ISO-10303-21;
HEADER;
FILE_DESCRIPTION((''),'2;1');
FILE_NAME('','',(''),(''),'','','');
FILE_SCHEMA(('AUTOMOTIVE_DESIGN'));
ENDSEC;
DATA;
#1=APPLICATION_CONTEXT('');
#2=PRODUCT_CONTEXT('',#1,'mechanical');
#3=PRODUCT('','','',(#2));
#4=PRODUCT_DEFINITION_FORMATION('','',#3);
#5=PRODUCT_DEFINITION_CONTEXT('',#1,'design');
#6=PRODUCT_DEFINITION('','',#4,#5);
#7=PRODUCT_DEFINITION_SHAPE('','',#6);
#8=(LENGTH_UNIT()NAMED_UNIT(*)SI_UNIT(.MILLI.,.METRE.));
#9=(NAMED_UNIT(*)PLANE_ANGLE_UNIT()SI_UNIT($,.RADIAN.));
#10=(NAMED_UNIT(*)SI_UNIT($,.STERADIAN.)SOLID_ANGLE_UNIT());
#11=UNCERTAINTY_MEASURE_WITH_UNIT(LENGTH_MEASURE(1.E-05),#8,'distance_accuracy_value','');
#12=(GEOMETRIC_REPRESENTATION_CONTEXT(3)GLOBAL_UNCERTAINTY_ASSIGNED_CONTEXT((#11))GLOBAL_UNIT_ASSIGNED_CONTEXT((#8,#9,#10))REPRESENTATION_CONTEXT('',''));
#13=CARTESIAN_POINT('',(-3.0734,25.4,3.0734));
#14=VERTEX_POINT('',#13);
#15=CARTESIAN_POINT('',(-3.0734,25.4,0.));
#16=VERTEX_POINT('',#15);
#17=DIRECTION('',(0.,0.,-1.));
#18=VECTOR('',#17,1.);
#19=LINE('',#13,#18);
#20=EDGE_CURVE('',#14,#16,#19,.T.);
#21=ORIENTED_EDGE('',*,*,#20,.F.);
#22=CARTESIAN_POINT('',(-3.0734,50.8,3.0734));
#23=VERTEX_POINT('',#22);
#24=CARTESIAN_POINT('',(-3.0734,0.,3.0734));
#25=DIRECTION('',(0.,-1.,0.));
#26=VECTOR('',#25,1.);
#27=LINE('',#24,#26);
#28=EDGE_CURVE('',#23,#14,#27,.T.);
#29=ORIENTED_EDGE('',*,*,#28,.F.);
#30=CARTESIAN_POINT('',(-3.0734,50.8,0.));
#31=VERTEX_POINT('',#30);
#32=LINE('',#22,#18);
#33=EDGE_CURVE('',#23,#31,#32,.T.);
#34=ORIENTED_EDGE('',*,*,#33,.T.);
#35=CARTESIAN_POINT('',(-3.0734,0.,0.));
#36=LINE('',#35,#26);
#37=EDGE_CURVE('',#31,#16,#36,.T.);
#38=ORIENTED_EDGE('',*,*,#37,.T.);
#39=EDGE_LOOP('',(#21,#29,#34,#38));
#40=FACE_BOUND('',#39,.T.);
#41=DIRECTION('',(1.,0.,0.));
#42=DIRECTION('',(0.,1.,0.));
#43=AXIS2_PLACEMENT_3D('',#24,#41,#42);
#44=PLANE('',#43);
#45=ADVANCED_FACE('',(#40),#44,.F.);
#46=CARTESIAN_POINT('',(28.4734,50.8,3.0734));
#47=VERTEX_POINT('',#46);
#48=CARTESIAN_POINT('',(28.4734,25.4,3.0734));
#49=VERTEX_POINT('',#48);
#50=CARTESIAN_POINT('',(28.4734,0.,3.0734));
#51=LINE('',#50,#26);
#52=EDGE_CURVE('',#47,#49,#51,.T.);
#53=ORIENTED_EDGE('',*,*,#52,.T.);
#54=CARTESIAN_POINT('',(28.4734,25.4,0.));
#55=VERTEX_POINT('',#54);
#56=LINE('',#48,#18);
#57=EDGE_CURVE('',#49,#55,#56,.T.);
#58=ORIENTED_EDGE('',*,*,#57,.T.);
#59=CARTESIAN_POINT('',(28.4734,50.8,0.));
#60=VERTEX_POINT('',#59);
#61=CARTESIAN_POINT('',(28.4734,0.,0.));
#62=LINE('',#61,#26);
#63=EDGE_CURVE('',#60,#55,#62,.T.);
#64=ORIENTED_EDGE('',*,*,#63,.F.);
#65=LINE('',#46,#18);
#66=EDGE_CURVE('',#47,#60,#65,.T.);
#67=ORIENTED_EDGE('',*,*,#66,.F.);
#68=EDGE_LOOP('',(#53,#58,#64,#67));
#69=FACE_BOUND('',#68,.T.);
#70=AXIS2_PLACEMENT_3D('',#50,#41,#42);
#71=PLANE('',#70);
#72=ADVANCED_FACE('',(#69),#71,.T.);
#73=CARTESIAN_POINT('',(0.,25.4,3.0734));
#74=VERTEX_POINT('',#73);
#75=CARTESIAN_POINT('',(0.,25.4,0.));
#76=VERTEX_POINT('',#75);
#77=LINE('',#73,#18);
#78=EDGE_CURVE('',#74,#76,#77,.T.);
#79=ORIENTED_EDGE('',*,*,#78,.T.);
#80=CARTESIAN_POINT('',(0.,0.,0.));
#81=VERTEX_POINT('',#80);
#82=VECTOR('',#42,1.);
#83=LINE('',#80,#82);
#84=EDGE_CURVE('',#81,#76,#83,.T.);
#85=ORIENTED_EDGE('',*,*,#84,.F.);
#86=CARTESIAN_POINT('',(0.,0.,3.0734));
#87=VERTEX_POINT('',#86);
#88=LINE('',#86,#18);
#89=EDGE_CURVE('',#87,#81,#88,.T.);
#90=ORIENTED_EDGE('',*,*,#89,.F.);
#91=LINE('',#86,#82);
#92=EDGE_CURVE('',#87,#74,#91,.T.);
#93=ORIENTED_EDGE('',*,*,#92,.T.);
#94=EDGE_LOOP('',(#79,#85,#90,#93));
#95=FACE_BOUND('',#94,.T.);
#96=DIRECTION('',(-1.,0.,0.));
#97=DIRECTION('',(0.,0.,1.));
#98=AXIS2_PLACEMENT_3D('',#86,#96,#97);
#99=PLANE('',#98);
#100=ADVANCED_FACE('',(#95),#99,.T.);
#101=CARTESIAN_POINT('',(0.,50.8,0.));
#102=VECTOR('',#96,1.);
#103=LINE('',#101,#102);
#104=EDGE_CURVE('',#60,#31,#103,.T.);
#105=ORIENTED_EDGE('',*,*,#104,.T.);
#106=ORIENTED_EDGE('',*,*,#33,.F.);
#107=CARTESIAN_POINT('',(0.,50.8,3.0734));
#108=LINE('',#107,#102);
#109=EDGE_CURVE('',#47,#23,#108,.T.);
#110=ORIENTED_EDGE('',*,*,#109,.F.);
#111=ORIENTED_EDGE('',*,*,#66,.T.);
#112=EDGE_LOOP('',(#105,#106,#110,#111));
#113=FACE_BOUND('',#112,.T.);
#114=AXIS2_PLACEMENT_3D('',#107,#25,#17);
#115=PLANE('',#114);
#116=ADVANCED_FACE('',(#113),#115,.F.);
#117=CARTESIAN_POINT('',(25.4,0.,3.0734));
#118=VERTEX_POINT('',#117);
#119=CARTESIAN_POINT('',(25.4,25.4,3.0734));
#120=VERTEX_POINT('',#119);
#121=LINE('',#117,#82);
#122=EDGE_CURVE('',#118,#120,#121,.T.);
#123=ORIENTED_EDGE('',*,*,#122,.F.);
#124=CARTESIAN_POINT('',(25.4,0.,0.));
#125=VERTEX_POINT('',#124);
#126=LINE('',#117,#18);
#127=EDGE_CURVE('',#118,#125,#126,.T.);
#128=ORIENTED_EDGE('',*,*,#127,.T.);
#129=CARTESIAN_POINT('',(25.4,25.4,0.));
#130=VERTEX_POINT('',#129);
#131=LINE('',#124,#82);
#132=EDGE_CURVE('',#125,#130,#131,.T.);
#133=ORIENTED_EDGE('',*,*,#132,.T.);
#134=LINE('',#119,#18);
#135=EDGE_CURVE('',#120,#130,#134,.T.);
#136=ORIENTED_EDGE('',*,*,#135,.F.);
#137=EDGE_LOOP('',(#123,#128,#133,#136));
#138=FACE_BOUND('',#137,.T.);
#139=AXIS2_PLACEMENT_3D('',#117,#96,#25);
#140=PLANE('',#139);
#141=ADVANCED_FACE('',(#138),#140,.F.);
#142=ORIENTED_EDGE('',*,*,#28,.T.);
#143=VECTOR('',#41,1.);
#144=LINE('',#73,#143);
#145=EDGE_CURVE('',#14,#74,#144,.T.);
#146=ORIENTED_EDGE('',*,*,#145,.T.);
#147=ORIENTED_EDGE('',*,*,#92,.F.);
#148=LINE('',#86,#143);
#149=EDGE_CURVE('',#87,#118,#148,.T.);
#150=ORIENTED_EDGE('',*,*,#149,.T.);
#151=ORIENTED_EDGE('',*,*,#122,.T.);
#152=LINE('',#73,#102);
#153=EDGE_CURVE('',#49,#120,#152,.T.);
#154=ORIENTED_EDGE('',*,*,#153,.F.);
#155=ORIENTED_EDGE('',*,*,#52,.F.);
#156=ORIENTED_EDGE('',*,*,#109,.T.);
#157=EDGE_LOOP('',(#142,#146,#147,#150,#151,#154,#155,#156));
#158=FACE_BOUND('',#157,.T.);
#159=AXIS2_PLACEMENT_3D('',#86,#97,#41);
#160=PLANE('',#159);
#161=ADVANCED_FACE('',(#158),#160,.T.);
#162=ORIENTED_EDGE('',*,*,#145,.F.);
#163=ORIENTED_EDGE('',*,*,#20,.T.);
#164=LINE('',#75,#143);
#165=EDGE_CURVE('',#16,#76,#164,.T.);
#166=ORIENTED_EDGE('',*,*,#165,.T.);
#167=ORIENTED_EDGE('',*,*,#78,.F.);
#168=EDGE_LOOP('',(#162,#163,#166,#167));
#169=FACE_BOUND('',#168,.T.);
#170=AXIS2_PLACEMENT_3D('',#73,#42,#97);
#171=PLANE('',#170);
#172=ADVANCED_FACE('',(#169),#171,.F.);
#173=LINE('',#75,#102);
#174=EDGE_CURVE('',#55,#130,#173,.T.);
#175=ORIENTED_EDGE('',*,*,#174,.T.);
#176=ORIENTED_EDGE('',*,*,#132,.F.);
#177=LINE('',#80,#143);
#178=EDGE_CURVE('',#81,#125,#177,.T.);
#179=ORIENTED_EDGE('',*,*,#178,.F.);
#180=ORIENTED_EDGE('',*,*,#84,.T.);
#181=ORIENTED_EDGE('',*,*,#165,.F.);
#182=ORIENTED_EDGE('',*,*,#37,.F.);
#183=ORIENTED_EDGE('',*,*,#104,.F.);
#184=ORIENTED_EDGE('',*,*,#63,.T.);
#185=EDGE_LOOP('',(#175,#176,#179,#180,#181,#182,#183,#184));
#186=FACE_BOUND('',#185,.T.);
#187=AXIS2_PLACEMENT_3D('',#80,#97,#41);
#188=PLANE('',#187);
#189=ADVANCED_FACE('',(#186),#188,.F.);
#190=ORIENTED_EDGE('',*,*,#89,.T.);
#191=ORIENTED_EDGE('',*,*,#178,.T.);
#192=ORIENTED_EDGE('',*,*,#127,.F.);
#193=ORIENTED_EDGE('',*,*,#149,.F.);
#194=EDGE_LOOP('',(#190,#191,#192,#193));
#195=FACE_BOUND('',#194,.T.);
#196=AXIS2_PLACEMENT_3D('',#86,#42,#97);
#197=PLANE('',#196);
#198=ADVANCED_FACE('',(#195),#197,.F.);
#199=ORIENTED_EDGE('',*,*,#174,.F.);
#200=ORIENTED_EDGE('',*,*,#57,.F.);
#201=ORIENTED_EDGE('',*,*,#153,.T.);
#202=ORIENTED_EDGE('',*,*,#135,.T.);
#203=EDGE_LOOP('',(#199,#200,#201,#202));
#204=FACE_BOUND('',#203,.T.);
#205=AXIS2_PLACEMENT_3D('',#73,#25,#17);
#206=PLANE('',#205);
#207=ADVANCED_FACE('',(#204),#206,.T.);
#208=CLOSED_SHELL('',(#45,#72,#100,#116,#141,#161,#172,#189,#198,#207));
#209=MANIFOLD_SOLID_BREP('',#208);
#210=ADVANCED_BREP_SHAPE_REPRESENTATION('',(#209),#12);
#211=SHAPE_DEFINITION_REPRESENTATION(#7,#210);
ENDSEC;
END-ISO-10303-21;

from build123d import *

# Parameters (mm, degrees)
BOSS_EXTRUDE1_DEPTH = 3.0734


with BuildPart() as part:
    # Sketch1 → Boss-Extrude1 (new body)
    with BuildSketch(Plane.XY):
        Polygon((25.4, 0), (25.4, 25.4), (28.4734, 25.4), (28.4734, 50.8), (-3.0734, 50.8), (-3.0734, 25.4), (0, 25.4), (0, 0), align=None)
    extrude(amount=BOSS_EXTRUDE1_DEPTH)


solid = part.part
